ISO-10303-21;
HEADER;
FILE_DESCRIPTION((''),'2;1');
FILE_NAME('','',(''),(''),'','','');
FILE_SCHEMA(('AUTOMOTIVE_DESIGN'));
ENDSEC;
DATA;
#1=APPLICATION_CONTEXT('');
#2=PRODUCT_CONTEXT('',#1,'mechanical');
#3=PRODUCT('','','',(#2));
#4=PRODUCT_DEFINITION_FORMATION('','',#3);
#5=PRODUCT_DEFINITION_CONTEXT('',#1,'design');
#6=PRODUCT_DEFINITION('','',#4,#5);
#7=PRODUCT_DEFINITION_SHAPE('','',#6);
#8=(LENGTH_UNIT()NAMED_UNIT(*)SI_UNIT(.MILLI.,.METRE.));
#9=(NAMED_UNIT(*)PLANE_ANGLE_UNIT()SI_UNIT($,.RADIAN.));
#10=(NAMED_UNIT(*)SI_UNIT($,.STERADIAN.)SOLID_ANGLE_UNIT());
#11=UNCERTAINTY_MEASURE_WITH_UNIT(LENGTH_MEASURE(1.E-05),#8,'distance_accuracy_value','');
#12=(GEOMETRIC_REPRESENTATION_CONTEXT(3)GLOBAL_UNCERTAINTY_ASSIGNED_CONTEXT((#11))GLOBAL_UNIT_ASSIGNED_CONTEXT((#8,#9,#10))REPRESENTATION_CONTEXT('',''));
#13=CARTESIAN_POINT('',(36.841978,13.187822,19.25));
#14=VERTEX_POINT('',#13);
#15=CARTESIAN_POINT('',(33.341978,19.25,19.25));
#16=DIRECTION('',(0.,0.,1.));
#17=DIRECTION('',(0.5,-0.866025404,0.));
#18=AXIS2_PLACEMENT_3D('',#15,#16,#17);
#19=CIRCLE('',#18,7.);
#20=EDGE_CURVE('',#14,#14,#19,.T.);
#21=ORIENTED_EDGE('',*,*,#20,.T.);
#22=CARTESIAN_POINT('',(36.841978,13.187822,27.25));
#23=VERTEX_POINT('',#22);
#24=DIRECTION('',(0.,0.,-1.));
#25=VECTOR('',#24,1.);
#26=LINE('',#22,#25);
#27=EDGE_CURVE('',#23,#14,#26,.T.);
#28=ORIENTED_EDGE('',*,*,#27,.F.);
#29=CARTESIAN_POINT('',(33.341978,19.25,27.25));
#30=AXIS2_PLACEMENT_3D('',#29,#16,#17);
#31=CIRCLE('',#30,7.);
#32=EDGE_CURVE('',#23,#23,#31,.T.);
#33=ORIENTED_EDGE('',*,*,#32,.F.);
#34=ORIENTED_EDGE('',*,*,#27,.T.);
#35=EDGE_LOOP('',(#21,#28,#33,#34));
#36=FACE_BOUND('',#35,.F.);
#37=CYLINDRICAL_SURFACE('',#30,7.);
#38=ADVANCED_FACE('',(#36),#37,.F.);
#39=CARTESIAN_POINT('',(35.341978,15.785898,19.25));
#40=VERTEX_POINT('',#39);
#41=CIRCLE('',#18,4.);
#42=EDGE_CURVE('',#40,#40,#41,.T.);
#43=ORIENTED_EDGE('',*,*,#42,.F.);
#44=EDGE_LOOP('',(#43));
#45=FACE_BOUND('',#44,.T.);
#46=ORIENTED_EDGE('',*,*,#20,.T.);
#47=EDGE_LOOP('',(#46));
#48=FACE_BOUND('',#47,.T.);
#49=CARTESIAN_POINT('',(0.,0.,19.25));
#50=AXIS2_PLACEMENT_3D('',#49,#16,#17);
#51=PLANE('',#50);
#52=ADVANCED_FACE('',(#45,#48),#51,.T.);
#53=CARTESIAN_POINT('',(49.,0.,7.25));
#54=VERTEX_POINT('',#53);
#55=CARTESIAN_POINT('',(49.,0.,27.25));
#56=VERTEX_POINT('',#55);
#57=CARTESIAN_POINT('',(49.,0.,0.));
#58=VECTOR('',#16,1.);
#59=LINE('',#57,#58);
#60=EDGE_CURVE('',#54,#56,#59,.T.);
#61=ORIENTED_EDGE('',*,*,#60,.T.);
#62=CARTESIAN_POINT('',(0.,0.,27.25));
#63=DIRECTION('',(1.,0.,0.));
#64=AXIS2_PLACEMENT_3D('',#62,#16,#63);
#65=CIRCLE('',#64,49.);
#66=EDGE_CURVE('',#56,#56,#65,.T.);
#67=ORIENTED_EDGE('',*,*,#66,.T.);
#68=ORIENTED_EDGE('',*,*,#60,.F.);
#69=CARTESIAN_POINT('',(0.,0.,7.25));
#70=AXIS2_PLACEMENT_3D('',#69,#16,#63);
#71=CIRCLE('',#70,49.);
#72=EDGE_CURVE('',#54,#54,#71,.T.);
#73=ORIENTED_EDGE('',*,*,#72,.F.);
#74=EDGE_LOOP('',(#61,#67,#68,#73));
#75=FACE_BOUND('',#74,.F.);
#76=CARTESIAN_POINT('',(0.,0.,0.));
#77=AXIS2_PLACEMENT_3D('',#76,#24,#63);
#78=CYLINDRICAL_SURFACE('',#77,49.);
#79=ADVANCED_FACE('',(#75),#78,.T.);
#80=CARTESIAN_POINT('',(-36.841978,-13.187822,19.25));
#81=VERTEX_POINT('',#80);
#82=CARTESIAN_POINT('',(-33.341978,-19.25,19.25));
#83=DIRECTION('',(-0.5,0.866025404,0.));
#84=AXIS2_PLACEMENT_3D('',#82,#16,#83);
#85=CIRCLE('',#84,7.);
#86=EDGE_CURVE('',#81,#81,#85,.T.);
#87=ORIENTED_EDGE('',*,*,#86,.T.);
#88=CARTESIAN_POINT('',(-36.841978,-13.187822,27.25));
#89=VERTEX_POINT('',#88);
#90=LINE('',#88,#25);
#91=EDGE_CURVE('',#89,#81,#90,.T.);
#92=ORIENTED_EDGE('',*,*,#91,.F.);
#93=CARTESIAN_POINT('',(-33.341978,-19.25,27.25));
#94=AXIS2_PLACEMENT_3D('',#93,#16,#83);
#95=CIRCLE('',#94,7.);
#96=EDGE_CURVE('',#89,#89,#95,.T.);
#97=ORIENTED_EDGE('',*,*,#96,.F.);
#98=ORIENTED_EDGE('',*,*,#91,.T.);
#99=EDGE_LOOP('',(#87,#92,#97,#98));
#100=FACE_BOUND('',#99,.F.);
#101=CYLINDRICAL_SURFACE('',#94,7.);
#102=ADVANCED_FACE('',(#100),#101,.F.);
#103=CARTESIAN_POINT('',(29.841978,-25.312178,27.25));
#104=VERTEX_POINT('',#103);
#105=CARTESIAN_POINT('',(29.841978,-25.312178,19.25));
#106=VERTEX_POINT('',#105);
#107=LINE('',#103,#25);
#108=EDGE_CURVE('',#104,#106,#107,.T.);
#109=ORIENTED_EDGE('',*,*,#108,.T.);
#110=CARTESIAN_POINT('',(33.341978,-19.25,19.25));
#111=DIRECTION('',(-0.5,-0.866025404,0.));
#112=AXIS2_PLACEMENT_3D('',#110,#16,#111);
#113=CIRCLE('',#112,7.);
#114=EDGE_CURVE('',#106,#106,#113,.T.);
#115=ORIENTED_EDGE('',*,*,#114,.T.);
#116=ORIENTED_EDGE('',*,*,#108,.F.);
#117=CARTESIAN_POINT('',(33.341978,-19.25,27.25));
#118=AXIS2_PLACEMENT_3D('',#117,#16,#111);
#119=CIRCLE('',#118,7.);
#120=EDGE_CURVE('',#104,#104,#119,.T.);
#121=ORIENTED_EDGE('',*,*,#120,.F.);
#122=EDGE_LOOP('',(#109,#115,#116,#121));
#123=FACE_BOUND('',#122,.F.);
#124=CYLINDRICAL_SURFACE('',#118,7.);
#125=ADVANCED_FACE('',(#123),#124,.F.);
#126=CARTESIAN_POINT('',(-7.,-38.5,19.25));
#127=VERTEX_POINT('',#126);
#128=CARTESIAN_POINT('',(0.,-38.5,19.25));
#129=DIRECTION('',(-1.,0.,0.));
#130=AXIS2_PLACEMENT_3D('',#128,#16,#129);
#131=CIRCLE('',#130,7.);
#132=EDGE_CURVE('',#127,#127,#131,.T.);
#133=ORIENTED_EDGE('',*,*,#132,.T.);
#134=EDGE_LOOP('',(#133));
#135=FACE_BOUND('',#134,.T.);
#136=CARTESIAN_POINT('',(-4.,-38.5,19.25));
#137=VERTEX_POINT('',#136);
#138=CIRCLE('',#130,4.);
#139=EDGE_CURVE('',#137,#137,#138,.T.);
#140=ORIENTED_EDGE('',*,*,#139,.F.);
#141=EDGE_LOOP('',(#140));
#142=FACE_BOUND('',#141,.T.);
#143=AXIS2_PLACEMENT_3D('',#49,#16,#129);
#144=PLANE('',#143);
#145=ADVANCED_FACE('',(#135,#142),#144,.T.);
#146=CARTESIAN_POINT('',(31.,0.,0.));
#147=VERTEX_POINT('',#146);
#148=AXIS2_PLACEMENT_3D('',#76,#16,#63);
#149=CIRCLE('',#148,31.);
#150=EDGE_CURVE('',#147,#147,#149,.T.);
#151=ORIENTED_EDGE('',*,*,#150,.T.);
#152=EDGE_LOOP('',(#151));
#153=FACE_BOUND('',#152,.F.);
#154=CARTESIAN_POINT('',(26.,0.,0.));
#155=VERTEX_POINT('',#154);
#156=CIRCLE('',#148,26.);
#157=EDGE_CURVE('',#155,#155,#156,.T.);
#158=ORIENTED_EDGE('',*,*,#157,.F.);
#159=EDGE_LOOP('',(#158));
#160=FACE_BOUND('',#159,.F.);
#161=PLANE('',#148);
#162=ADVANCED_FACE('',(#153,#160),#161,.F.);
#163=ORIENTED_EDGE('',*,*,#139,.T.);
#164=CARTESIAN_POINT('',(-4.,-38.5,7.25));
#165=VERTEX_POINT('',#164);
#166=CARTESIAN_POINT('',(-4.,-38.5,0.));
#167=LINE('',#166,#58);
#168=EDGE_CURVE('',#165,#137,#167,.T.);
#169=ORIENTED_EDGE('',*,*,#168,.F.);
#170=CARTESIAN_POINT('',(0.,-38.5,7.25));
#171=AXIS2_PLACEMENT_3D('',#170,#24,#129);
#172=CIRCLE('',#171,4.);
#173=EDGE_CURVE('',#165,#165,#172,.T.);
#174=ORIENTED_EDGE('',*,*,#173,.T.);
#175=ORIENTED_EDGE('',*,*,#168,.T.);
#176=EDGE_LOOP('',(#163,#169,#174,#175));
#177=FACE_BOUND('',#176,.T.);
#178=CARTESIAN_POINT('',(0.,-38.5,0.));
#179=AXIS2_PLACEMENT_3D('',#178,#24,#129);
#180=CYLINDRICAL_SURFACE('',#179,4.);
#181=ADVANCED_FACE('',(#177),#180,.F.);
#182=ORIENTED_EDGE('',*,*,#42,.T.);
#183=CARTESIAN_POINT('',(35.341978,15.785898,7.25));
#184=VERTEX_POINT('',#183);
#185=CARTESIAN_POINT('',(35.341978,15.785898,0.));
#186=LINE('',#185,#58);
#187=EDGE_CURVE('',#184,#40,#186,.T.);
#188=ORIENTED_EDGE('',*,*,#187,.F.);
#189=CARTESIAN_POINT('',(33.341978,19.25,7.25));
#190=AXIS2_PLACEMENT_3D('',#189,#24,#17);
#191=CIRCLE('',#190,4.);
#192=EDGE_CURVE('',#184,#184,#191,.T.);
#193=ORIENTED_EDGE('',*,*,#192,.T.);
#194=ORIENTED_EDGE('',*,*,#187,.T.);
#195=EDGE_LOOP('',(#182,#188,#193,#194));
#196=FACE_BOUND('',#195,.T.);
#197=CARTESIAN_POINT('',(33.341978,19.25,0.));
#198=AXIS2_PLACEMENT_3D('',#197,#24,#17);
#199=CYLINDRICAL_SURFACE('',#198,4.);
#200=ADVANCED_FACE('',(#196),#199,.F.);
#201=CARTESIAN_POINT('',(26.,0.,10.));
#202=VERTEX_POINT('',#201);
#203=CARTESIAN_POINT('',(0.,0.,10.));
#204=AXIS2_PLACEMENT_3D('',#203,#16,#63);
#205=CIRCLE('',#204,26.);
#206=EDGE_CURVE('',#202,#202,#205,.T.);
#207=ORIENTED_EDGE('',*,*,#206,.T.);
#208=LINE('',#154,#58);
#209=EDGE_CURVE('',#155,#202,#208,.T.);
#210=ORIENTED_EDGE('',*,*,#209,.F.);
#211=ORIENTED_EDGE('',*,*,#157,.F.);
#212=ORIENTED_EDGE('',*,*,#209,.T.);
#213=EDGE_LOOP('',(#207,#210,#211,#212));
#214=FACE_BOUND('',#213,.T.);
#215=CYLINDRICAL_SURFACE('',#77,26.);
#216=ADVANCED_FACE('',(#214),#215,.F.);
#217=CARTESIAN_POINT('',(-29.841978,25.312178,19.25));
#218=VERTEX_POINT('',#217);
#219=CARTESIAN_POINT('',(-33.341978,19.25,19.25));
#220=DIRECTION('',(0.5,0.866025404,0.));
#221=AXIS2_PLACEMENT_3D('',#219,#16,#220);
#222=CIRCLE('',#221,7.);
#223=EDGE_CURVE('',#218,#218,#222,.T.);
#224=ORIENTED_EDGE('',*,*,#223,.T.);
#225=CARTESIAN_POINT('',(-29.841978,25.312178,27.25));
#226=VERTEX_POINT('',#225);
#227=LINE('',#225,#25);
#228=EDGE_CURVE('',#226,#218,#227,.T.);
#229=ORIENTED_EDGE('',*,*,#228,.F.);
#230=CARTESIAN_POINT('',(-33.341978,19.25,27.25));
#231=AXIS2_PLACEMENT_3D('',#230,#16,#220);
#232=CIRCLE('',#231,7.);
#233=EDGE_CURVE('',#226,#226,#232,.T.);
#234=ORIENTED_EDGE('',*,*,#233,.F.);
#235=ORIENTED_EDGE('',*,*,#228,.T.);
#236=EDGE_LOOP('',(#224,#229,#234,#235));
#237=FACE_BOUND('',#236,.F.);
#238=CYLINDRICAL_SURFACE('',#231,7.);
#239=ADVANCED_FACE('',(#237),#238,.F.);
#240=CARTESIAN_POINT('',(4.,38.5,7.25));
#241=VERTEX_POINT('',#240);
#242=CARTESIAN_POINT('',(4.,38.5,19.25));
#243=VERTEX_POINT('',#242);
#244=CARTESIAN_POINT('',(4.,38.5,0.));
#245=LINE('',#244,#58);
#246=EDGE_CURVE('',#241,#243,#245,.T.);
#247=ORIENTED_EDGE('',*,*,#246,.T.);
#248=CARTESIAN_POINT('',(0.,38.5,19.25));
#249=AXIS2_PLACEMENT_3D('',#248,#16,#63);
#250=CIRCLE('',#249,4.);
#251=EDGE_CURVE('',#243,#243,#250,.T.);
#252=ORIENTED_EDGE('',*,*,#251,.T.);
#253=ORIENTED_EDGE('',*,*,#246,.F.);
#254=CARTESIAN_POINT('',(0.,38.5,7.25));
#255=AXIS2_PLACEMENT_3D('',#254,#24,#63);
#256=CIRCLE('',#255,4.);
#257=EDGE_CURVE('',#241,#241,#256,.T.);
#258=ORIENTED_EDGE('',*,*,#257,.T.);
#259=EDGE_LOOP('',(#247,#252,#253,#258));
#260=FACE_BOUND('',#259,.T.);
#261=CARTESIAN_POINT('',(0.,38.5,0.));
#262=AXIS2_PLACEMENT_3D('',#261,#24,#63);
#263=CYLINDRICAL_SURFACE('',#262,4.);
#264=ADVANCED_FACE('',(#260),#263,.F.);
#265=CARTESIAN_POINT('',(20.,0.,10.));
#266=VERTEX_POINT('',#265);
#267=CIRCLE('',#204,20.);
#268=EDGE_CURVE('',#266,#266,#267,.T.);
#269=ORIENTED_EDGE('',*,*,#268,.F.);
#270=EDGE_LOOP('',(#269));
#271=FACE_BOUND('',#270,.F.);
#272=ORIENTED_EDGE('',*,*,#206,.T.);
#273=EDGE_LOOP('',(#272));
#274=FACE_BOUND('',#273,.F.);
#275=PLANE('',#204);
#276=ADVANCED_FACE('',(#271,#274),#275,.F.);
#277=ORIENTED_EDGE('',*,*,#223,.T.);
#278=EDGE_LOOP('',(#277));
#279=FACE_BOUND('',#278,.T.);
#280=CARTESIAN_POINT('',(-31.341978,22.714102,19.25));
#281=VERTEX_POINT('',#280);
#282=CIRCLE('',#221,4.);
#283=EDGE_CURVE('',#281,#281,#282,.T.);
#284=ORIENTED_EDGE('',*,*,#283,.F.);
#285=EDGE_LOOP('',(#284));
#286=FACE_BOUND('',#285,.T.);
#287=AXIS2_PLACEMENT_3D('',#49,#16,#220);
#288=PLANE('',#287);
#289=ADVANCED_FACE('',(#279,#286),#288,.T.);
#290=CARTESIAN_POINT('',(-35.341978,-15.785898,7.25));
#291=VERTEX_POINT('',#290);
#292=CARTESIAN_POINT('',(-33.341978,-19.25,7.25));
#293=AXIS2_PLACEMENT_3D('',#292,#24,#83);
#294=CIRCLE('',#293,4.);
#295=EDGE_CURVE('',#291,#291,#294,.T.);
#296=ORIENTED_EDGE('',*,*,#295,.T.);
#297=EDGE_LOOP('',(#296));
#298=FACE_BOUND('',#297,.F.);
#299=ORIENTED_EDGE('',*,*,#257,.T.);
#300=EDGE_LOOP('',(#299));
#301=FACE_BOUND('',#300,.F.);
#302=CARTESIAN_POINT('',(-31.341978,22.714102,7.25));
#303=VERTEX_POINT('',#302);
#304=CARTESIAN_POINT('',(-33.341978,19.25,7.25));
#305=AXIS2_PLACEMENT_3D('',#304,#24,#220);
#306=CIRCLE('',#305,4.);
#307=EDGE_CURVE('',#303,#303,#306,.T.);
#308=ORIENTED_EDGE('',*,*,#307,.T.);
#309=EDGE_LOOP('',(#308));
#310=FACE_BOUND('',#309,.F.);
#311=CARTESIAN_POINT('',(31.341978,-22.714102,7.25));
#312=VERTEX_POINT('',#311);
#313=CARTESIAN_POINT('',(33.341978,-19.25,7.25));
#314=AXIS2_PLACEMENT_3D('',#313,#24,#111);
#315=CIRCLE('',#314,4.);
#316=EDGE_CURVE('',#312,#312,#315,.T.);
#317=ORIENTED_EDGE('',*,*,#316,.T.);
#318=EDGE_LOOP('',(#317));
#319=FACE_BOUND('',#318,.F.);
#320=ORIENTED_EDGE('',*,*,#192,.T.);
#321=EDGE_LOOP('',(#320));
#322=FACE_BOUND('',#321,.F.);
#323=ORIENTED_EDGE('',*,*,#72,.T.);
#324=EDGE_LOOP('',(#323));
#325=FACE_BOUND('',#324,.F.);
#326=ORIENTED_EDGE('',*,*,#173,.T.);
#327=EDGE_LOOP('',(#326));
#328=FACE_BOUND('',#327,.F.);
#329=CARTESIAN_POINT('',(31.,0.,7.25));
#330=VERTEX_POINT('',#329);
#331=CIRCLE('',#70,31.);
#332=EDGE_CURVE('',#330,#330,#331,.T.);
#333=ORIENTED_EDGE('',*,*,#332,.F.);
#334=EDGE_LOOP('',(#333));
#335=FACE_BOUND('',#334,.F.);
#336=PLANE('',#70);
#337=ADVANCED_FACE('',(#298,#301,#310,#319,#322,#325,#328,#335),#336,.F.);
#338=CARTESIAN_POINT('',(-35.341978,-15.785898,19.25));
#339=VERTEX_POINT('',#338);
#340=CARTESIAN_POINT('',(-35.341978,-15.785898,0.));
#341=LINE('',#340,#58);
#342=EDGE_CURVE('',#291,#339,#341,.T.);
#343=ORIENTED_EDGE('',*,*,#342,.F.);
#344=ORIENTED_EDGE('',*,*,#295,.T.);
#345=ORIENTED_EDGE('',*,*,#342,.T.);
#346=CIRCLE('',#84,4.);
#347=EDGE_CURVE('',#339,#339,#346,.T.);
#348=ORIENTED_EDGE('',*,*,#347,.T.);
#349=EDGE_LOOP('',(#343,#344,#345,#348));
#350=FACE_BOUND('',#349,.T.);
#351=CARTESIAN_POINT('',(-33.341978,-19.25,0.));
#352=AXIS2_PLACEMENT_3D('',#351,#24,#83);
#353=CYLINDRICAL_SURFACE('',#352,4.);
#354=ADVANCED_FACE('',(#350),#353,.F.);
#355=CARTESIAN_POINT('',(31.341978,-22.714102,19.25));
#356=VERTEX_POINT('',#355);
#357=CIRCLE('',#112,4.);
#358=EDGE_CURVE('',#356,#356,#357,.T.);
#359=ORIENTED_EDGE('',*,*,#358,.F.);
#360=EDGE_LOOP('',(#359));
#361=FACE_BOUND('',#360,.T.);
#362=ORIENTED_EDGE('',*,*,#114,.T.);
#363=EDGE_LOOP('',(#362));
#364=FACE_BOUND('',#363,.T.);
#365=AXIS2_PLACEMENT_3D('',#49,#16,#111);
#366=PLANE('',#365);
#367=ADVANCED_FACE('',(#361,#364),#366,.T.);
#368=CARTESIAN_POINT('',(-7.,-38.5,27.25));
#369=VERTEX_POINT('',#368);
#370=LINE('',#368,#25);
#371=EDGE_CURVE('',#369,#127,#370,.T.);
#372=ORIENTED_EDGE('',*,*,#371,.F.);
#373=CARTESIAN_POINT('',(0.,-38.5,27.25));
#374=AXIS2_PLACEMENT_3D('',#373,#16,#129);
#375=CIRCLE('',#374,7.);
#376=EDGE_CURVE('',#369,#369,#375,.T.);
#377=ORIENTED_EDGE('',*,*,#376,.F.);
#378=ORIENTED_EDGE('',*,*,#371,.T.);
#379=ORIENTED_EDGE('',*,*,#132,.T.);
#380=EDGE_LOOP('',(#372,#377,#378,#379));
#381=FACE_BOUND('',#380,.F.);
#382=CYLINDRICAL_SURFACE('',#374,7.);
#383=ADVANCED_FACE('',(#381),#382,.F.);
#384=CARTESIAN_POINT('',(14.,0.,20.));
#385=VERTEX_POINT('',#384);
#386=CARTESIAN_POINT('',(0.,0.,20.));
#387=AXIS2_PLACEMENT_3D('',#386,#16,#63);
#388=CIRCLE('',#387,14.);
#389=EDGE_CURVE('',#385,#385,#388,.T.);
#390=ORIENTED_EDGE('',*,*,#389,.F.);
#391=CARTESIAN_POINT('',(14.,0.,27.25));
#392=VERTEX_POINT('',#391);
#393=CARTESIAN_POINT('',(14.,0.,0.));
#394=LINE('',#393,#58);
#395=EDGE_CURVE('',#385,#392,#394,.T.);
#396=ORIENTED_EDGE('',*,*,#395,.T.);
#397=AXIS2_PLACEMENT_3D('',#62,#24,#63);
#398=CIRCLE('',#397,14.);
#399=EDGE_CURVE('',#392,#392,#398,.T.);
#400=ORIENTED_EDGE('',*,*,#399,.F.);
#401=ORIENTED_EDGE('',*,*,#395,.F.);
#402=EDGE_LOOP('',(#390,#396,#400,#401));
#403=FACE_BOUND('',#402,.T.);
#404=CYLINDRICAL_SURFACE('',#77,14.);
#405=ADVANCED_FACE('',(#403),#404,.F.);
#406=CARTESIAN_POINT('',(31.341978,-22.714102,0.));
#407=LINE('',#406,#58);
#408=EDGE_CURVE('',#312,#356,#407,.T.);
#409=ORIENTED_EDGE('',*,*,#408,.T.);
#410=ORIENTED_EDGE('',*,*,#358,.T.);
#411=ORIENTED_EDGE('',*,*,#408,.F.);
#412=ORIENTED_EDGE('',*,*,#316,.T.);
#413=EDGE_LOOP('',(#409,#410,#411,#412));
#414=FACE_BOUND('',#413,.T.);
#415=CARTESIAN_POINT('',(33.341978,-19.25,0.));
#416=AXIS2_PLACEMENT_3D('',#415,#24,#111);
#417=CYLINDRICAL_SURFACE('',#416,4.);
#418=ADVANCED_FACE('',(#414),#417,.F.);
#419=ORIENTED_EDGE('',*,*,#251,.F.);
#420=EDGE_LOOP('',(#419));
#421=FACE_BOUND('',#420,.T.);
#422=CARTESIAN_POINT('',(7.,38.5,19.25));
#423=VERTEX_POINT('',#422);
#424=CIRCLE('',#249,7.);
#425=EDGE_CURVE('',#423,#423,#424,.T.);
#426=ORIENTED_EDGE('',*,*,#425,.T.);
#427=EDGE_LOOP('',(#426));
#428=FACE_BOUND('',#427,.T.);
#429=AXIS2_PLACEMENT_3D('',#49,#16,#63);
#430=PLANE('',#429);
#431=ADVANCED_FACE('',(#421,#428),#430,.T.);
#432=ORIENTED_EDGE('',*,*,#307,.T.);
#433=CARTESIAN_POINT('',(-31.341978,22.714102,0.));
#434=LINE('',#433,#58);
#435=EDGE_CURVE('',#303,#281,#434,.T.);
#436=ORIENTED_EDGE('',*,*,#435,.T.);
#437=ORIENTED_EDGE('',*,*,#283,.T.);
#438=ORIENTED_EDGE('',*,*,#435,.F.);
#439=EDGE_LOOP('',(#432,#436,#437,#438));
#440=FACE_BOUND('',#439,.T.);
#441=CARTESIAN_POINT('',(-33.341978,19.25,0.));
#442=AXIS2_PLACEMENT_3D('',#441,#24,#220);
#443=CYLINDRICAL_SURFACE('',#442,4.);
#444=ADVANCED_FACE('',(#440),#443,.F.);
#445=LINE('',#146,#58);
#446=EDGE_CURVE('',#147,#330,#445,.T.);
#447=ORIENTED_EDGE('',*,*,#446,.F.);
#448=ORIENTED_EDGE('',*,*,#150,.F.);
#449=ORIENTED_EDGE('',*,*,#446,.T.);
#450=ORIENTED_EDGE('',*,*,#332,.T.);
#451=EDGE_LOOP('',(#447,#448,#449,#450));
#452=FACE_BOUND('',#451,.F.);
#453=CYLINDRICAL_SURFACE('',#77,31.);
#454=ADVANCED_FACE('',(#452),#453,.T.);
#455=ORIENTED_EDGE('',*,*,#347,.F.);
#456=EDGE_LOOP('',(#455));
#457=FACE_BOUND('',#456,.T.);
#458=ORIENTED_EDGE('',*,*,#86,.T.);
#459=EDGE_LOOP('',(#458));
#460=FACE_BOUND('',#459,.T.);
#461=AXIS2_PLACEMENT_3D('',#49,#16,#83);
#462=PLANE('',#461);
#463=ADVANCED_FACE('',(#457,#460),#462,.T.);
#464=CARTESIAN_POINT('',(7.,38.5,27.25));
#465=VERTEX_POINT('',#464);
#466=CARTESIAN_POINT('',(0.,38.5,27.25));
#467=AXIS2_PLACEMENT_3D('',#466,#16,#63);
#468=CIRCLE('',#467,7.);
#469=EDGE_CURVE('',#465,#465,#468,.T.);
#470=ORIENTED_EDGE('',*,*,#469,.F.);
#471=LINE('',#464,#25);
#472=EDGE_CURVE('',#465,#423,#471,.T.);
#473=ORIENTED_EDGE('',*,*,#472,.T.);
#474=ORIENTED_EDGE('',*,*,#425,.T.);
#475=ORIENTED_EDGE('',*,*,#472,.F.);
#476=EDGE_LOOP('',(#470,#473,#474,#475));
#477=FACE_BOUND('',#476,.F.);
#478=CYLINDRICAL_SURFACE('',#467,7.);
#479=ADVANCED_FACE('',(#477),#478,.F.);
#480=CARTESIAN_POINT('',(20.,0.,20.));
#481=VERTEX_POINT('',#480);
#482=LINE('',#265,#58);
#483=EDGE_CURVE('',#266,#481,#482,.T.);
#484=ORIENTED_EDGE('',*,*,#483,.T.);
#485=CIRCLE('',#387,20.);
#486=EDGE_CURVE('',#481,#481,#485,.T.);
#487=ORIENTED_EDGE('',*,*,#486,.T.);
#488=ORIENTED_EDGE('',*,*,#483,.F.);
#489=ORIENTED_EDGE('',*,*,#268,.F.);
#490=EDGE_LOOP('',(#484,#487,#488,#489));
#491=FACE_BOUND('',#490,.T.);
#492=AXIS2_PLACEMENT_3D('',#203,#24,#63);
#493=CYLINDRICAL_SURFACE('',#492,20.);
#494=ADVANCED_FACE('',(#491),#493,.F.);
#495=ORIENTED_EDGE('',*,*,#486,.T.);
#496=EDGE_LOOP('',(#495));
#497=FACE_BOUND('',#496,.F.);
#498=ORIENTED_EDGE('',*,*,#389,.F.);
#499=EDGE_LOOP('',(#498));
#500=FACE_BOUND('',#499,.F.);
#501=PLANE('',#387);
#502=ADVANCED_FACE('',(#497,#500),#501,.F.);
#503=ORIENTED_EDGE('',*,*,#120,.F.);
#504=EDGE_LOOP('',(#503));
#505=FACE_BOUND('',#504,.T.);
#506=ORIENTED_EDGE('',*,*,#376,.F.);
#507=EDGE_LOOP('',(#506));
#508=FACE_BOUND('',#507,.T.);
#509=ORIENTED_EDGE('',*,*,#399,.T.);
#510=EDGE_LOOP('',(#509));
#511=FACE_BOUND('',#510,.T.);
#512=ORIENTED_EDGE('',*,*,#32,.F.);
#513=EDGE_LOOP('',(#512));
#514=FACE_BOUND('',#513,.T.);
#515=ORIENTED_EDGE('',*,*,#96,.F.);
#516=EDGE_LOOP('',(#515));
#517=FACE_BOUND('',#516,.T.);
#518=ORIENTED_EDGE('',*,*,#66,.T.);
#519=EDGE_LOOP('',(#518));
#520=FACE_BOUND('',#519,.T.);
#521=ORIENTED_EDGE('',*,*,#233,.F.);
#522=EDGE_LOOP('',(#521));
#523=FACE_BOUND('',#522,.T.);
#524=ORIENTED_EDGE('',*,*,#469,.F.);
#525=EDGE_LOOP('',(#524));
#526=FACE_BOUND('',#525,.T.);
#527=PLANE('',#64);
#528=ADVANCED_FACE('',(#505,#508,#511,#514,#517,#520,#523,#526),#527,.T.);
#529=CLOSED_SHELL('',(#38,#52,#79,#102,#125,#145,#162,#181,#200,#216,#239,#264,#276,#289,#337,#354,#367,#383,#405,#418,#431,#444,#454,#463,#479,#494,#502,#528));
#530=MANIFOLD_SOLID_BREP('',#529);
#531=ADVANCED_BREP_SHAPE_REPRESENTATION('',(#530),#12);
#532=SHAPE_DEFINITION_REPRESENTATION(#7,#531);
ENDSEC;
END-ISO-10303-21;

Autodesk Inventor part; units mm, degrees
ref_plane "YZ Plane" through (0, 0, 0) normal (1, 0, 0) x (0, 1, 0)
ref_plane "XZ Plane" through (0, 0, 0) normal (0, 1, 0) x (-1, 0, 0)
ref_plane "XY Plane" through (0, 0, 0) normal (0, 0, 1) x (1, 0, 0)
sketch "Sketch1" plane through (0, 0, 0) normal (0, 0, 1) x (1, 0, 0)
  circle A0 centre (0, 0) radius 14
  circle A1 centre (0, 0) radius 20
  circle A2 centre (0, 0) radius 26
  circle A3 centre (0, 0) radius 31
  circle A4 centre (0, 0) radius 49
  circle A5 centre (0, 38.5) radius 7
  circle A6 centre (0, 38.5) radius 4
  dimension "d0" = 28
  dimension "d1" = 40
  dimension "d2" = 52
  dimension "d3" = 62
  dimension "d4" = 98
  dimension "d5" = 14
  dimension "d6" = 8
  dimension "d7" = 38.5
extrude "Extrusion1" add sketch "Sketch1" along normal blind 27.25 contours A0 | A1 | A2 | A3 | A4 | A5 | A6
extrude "Extrusion2" cut sketch "Sketch1" along normal through all contours A0
extrude "Extrusion3" cut sketch "Sketch1" along normal blind 7.25 contours A4 | A5 | A6
extrude "Extrusion4" cut sketch "Sketch1" along normal through all contours A6
extrude "Extrusion5" cut sketch "Sketch1" against normal blind 8 from surface at 27.25 contours A5
pattern_circular "Circular Pattern1" count 6 over 360 about axis through (0, 0, -10) along (0, 0, 1) of "Extrusion5", "Extrusion4"
extrude "Extrusion6" cut sketch "Sketch1" along normal blind 10 contours A0 | A1 | A2
extrude "Extrusion7" cut sketch "Sketch1" along normal blind 10 from surface at 10 contours A1
properties part number "B2"
